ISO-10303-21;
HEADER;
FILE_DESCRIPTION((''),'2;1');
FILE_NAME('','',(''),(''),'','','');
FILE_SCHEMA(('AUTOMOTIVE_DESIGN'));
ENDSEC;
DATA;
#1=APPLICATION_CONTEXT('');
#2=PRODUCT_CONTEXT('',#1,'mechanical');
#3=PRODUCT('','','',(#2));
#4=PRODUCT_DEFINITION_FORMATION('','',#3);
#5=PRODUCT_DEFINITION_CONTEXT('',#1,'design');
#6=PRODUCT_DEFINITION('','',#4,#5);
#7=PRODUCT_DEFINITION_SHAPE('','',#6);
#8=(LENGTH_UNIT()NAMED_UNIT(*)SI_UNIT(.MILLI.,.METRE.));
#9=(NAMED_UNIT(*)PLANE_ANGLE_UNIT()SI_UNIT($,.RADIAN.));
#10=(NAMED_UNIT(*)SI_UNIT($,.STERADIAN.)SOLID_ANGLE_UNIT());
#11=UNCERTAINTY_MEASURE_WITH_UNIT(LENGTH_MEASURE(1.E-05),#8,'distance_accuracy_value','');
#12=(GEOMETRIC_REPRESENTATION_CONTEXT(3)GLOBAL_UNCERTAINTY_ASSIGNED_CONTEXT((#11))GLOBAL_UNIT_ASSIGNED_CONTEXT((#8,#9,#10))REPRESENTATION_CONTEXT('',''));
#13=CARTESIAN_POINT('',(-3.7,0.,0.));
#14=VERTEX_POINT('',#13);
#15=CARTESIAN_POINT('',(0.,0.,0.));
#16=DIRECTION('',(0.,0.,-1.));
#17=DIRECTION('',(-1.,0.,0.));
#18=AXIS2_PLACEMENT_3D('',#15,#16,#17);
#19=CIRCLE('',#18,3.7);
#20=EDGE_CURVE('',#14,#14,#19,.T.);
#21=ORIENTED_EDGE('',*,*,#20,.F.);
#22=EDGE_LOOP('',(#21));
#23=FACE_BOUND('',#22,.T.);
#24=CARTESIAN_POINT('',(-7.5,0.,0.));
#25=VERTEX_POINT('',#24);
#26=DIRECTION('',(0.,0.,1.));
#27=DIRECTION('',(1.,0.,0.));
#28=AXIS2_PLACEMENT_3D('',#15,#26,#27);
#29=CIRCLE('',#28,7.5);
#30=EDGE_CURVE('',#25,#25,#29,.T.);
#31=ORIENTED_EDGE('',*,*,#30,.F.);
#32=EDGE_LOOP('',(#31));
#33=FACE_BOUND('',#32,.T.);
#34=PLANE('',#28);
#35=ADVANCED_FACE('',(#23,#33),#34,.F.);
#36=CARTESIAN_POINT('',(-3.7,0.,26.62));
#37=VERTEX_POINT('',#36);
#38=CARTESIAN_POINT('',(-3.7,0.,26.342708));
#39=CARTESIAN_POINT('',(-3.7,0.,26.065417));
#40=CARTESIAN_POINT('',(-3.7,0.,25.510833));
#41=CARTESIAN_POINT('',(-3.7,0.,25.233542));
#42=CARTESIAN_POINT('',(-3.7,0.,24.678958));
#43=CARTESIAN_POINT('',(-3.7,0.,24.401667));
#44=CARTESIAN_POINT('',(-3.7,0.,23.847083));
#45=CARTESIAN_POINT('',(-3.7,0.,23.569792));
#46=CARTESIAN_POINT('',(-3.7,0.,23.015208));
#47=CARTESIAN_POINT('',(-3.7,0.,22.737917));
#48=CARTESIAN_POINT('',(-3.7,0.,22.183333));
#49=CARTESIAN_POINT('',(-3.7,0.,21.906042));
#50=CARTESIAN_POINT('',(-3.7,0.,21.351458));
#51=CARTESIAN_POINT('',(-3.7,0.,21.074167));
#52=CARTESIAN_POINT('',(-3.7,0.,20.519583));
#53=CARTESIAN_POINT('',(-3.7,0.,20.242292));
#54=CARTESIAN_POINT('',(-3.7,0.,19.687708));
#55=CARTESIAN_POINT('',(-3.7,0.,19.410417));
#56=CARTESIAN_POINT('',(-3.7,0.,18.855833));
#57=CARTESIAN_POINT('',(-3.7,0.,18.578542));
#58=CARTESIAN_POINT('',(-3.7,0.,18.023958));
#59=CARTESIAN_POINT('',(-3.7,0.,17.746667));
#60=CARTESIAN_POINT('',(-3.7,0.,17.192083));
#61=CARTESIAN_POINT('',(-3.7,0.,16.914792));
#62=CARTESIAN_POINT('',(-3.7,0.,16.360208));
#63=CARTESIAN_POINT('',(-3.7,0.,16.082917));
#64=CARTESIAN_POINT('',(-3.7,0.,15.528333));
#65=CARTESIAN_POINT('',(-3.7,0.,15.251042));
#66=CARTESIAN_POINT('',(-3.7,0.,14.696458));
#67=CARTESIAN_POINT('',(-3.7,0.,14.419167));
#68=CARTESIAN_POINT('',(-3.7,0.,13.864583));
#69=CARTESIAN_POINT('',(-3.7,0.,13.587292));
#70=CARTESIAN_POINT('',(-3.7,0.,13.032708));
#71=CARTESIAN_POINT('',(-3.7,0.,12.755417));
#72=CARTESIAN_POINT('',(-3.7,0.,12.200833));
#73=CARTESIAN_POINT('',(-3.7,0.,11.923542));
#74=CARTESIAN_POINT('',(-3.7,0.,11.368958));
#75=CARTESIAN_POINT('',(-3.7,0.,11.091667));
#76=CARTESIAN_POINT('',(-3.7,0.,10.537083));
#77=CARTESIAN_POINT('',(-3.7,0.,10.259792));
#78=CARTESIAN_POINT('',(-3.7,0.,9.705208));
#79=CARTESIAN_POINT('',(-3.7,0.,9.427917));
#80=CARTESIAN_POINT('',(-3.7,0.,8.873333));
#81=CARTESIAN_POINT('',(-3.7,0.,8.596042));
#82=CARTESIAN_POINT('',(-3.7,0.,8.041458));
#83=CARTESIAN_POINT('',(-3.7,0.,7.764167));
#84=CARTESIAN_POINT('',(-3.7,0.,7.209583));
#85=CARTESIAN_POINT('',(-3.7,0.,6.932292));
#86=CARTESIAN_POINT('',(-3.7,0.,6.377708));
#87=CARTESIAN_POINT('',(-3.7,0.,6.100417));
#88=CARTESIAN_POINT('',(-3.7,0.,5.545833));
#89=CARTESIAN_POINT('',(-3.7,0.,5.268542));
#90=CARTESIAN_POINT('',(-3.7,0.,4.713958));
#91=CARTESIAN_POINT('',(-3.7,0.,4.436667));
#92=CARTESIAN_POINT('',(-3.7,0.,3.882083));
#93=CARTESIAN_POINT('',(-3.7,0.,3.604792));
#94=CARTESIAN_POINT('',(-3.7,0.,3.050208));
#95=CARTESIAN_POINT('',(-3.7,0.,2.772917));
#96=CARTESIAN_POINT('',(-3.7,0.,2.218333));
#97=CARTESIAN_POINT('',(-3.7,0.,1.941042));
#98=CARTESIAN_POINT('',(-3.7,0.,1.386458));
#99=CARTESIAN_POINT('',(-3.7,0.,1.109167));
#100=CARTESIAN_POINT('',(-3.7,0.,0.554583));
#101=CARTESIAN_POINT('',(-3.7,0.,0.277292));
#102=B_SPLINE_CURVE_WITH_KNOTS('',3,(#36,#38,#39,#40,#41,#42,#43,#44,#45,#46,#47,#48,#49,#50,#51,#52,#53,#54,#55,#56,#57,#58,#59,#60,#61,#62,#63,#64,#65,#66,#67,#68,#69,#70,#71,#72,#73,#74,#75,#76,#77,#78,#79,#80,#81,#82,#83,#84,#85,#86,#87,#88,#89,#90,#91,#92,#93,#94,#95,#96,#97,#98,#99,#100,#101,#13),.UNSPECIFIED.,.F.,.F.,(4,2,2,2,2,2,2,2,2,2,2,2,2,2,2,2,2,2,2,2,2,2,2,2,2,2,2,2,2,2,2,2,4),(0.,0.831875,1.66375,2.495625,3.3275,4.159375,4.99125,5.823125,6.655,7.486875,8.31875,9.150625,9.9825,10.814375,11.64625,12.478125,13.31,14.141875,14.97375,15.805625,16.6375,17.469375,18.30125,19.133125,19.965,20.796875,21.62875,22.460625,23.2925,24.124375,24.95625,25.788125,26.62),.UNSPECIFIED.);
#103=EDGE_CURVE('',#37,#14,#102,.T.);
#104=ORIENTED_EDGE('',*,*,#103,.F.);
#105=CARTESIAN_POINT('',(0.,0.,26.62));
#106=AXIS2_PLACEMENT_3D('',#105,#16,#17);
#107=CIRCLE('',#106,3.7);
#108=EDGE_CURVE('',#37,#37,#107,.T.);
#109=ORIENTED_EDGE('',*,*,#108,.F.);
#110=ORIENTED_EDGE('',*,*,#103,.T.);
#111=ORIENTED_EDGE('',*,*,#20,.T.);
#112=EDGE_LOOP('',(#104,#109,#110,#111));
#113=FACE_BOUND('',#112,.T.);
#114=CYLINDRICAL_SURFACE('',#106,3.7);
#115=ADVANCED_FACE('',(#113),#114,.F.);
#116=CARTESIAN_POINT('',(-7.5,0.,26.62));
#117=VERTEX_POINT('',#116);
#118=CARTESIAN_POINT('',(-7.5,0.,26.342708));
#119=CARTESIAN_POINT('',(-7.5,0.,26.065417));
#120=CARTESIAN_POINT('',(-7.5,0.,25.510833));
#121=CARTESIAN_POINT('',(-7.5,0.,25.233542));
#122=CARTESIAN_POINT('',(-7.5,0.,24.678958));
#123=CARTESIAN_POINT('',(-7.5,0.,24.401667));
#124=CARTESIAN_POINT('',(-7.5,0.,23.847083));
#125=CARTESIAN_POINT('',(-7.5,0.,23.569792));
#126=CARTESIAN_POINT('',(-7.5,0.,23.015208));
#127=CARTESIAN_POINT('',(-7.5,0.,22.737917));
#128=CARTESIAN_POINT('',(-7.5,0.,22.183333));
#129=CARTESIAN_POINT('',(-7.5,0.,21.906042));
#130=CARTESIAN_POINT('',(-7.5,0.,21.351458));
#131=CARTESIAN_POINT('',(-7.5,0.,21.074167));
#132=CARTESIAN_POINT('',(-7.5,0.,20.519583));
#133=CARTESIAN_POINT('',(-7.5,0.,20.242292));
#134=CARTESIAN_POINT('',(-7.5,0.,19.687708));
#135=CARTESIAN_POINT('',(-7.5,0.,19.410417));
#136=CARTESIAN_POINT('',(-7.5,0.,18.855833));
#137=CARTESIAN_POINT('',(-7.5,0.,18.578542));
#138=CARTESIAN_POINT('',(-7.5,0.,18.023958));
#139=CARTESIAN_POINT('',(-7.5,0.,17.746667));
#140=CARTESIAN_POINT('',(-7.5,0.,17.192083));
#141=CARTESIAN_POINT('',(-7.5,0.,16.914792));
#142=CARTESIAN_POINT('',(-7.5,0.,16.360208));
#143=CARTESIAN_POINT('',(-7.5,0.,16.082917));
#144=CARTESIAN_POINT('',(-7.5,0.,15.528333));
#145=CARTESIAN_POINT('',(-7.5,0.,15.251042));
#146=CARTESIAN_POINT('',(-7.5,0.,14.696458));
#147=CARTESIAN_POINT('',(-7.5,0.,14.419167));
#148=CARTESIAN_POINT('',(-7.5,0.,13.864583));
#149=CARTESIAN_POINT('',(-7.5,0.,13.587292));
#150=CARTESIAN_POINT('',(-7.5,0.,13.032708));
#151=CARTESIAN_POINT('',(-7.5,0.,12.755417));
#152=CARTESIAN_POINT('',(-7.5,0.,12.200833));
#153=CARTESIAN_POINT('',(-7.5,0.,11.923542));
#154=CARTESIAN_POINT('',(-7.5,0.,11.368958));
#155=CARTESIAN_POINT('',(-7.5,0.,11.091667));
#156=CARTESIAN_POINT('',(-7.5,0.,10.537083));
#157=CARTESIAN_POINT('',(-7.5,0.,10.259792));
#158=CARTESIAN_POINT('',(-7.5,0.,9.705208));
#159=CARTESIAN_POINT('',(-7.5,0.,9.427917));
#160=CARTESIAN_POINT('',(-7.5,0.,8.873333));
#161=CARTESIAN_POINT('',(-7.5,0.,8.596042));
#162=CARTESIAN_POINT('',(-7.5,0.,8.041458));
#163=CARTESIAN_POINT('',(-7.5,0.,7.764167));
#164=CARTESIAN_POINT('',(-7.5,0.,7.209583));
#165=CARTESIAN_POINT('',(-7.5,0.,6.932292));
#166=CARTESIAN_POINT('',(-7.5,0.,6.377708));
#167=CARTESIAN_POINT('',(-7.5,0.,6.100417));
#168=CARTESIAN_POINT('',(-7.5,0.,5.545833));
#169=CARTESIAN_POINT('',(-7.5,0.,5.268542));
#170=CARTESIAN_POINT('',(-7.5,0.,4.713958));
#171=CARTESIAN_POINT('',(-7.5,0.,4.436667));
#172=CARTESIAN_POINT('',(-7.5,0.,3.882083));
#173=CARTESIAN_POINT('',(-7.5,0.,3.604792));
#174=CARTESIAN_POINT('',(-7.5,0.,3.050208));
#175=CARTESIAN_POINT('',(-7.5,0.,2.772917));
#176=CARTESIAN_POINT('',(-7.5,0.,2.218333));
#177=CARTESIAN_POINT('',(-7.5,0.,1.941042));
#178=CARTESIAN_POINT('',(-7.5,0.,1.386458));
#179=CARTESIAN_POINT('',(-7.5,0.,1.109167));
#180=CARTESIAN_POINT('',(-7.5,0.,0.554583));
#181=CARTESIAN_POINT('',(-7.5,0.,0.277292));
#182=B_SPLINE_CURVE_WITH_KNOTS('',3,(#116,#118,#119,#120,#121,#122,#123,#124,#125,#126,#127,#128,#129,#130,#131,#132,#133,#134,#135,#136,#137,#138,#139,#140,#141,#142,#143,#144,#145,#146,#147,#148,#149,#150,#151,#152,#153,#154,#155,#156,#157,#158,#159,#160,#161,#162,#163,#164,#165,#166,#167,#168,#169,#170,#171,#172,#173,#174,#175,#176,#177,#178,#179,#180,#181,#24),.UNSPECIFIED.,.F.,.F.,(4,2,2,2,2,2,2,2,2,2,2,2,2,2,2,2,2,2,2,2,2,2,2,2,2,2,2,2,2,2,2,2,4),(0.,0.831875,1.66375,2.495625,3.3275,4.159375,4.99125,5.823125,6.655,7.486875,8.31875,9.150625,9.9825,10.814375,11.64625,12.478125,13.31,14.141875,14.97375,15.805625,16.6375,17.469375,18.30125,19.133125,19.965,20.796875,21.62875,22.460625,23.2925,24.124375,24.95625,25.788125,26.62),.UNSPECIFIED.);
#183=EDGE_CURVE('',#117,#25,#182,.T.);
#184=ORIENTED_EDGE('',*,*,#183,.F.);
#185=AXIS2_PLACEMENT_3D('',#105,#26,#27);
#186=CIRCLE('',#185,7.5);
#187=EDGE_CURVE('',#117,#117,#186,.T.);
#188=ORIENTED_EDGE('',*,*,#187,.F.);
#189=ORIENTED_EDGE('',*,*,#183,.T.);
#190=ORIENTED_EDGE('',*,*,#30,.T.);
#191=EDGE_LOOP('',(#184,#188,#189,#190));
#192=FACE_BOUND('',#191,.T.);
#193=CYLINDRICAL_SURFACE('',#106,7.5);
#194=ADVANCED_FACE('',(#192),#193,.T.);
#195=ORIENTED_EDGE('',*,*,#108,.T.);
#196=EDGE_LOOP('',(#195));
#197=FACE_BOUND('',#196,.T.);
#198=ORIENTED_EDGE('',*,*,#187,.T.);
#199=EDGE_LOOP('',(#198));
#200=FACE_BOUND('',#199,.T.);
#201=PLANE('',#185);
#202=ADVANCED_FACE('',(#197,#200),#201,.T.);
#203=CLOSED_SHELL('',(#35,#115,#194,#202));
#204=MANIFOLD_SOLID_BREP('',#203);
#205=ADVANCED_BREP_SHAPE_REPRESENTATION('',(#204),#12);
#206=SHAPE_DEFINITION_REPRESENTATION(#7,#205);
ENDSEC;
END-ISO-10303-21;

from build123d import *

# Parameters (mm, degrees)
SKETCH1_R           = 7.5
BOSS_EXTRUDE1_DEPTH = 26.62
SKETCH4_R           = 3.7
CUT_EXTRUDE1_DEPTH  = 26.62


with BuildPart() as part:
    # Sketch1 → Boss-Extrude1 (new body)
    with BuildSketch(Plane.XY):
        with Locations(Location((0, 0, 0), (0, 0, 180))):
            Circle(SKETCH1_R)
    extrude(amount=BOSS_EXTRUDE1_DEPTH)

    # Sketch4 → Cut-Extrude1 (cut)
    with BuildSketch(Plane(origin=(0, 0, 0), x_dir=(-1, 0, 0), z_dir=(0, 0, -1))):
        Circle(SKETCH4_R)
    extrude(amount=-CUT_EXTRUDE1_DEPTH, mode=Mode.SUBTRACT)


solid = part.part
